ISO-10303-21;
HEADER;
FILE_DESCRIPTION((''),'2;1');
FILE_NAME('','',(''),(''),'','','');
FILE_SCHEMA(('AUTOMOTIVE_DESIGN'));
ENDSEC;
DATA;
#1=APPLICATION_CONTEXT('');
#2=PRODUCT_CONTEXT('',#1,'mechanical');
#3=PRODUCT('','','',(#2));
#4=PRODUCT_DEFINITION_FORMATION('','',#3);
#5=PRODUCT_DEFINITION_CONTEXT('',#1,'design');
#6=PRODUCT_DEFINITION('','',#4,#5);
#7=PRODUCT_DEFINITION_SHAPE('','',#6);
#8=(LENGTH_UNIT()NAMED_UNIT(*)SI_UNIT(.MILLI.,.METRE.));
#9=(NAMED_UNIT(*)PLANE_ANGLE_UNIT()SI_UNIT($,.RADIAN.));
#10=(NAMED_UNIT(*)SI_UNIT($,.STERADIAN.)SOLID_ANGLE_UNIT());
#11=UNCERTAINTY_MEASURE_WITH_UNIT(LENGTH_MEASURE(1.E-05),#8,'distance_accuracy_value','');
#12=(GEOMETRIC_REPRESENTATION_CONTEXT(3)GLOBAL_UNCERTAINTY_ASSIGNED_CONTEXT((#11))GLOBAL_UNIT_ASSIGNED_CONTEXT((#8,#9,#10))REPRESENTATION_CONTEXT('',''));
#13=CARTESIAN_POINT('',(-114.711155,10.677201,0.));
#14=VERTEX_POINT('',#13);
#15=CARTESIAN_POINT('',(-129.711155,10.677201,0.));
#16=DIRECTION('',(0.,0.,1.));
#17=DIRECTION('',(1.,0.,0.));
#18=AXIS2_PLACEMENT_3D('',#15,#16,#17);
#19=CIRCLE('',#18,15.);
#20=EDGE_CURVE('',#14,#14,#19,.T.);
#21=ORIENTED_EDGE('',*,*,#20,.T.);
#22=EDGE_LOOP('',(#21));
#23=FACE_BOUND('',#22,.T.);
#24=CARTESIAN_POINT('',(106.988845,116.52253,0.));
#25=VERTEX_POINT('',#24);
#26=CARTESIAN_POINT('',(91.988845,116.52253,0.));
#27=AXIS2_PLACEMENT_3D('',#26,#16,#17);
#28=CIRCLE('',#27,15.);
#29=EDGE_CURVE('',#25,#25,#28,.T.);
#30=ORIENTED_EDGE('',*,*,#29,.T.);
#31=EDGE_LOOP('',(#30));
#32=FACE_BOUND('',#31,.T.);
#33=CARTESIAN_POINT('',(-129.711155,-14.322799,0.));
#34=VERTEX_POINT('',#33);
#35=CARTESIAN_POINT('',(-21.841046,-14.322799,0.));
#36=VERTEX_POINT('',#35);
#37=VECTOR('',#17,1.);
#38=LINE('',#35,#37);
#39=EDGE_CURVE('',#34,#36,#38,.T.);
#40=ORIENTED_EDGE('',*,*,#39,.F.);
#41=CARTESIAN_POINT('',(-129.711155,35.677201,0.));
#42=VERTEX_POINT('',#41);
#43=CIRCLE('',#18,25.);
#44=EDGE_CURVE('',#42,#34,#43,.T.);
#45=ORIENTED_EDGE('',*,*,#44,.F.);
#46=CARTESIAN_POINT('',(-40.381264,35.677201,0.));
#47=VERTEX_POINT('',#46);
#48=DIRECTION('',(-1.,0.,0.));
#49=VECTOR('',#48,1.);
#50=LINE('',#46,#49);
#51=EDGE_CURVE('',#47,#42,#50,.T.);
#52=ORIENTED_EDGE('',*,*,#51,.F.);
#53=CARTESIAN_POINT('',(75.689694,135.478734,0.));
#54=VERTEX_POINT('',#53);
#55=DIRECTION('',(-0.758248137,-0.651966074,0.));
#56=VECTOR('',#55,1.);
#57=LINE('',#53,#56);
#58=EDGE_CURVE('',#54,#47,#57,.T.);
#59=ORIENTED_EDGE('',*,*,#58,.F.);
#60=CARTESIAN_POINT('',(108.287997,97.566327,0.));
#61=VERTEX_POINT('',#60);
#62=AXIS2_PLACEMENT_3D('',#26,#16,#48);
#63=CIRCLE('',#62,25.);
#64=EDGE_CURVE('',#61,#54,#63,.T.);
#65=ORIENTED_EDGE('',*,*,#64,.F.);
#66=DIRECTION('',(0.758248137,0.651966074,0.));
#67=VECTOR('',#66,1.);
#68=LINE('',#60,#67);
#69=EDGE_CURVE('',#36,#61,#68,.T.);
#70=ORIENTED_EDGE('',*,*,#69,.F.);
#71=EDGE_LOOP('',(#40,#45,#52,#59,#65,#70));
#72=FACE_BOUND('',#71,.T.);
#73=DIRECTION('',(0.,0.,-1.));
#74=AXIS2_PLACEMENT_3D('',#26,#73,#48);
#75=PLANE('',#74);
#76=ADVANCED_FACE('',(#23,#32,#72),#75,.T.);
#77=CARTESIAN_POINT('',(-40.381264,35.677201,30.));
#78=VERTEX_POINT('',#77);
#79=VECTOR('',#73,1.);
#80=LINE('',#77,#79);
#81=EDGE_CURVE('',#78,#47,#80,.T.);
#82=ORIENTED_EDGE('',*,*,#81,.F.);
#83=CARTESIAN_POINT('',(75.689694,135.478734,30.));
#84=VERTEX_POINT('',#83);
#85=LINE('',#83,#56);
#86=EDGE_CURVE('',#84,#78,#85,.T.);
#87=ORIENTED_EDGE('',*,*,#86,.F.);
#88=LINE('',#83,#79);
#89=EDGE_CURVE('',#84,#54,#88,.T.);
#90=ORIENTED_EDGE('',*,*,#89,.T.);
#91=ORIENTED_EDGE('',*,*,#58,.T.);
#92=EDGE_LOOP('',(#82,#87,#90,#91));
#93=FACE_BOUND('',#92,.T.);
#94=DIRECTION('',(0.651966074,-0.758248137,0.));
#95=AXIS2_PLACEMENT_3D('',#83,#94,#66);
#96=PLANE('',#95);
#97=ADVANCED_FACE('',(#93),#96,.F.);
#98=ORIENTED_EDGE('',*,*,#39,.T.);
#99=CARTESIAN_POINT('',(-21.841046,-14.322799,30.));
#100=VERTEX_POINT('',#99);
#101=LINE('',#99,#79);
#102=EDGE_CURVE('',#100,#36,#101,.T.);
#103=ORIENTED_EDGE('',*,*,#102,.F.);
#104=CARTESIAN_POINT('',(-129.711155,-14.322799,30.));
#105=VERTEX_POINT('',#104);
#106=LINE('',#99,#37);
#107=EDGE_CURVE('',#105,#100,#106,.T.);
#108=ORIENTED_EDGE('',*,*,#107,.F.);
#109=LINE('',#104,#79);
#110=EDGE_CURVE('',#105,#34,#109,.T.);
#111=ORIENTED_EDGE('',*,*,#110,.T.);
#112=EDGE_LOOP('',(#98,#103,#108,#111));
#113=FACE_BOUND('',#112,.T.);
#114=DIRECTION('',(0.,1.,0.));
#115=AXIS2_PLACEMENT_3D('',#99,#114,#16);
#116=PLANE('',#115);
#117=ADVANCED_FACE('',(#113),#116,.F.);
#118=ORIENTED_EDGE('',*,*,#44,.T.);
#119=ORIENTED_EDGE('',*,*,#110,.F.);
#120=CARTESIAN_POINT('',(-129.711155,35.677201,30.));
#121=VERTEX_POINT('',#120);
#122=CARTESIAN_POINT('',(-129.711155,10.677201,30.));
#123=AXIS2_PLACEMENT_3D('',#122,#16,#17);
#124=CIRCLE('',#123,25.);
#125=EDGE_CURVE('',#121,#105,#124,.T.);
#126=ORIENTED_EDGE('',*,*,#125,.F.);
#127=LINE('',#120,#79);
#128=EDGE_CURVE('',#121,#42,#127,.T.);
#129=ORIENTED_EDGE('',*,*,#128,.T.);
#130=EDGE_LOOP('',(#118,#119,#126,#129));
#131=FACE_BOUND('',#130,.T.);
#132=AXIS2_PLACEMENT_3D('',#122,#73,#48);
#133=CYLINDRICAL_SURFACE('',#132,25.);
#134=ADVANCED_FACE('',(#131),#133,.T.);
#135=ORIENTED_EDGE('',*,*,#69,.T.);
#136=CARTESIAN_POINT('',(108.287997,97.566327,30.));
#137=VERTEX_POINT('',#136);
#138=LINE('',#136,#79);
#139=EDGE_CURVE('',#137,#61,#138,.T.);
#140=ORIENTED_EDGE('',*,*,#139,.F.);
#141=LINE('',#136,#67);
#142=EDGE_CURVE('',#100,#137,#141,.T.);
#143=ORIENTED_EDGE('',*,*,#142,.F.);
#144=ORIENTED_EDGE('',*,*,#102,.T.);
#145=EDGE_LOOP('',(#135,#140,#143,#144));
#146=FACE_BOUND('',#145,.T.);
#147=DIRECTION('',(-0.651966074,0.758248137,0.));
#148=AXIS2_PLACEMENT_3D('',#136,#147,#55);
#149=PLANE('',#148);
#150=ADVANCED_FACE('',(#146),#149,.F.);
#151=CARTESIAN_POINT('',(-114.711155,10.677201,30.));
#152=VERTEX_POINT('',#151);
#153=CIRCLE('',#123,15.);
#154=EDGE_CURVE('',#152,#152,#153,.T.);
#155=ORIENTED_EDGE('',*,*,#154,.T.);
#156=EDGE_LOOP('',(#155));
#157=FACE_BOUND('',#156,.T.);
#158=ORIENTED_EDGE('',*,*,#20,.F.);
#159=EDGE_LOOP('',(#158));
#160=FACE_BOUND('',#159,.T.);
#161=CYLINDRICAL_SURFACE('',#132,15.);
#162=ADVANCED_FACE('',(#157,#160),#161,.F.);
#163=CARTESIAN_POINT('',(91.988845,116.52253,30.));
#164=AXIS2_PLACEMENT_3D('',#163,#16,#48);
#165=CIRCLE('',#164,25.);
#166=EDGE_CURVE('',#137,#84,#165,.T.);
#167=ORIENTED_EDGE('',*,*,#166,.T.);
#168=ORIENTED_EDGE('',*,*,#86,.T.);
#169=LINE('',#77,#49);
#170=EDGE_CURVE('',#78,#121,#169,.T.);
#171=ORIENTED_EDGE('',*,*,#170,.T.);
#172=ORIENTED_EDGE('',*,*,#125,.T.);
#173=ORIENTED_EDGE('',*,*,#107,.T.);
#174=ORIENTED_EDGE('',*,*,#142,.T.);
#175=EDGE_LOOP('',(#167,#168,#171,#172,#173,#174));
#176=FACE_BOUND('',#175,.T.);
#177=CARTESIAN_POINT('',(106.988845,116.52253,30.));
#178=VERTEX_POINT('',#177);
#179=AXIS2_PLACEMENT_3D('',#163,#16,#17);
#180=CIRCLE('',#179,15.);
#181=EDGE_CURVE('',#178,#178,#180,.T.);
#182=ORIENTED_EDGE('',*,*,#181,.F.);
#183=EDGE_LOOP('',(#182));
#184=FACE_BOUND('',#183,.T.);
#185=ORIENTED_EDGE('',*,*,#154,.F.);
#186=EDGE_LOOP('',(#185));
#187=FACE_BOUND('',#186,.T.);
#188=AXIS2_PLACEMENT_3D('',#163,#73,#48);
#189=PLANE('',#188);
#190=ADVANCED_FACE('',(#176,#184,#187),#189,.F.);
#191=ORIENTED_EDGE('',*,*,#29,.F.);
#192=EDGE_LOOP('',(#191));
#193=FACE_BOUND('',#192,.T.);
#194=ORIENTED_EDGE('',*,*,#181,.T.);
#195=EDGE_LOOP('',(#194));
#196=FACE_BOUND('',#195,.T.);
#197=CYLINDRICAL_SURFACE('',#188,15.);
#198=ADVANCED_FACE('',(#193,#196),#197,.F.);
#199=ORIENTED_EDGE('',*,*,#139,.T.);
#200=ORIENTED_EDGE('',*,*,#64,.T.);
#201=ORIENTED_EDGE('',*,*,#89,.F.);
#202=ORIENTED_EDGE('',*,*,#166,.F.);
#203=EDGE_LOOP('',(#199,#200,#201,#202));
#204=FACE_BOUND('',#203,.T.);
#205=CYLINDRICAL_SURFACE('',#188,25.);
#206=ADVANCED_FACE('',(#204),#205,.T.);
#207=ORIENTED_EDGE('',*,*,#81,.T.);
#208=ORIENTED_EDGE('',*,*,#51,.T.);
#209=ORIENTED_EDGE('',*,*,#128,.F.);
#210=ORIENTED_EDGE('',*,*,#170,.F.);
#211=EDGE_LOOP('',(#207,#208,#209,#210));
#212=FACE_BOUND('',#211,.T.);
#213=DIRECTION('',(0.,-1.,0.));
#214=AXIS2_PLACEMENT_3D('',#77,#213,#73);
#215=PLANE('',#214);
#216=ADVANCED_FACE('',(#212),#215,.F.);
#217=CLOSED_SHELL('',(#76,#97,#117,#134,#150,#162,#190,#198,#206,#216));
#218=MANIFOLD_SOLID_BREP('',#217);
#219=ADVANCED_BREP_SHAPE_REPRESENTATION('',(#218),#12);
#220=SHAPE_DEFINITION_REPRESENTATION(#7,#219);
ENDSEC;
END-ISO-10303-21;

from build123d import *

# Parameters (mm, degrees)
SKETCH1_R           = 15
BOSS_EXTRUDE1_DEPTH = 30


with BuildPart() as part:
    # Sketch1 → Boss-Extrude1 (new body)
    with BuildSketch(Plane.XY):
        with BuildLine():
            Line((75.689693524, 135.478733708), (-40.381263603, 35.677200992))
            Line((-40.381263603, 35.677200992), (-129.711154614, 35.677200992))
            ThreePointArc((-129.711154614, 35.677200992), (-154.711154614, 10.677200992), (-129.711154614, -14.322799008))
            Line((-129.711154614, -14.322799008), (-21.841045625, -14.322799008))
            Line((-21.841045625, -14.322799008), (108.287997249, 97.566326843))
            ThreePointArc((108.287997249, 97.566326843), (110.945048819, 132.821682138), (75.689693524, 135.478733708))
        make_face()
        with Locations((91.988845386, 116.522530275)):
            Circle(SKETCH1_R, mode=Mode.SUBTRACT)
        with Locations((-129.711154614, 10.677200992)):
            Circle(SKETCH1_R, mode=Mode.SUBTRACT)
    extrude(amount=BOSS_EXTRUDE1_DEPTH)


solid = part.part
